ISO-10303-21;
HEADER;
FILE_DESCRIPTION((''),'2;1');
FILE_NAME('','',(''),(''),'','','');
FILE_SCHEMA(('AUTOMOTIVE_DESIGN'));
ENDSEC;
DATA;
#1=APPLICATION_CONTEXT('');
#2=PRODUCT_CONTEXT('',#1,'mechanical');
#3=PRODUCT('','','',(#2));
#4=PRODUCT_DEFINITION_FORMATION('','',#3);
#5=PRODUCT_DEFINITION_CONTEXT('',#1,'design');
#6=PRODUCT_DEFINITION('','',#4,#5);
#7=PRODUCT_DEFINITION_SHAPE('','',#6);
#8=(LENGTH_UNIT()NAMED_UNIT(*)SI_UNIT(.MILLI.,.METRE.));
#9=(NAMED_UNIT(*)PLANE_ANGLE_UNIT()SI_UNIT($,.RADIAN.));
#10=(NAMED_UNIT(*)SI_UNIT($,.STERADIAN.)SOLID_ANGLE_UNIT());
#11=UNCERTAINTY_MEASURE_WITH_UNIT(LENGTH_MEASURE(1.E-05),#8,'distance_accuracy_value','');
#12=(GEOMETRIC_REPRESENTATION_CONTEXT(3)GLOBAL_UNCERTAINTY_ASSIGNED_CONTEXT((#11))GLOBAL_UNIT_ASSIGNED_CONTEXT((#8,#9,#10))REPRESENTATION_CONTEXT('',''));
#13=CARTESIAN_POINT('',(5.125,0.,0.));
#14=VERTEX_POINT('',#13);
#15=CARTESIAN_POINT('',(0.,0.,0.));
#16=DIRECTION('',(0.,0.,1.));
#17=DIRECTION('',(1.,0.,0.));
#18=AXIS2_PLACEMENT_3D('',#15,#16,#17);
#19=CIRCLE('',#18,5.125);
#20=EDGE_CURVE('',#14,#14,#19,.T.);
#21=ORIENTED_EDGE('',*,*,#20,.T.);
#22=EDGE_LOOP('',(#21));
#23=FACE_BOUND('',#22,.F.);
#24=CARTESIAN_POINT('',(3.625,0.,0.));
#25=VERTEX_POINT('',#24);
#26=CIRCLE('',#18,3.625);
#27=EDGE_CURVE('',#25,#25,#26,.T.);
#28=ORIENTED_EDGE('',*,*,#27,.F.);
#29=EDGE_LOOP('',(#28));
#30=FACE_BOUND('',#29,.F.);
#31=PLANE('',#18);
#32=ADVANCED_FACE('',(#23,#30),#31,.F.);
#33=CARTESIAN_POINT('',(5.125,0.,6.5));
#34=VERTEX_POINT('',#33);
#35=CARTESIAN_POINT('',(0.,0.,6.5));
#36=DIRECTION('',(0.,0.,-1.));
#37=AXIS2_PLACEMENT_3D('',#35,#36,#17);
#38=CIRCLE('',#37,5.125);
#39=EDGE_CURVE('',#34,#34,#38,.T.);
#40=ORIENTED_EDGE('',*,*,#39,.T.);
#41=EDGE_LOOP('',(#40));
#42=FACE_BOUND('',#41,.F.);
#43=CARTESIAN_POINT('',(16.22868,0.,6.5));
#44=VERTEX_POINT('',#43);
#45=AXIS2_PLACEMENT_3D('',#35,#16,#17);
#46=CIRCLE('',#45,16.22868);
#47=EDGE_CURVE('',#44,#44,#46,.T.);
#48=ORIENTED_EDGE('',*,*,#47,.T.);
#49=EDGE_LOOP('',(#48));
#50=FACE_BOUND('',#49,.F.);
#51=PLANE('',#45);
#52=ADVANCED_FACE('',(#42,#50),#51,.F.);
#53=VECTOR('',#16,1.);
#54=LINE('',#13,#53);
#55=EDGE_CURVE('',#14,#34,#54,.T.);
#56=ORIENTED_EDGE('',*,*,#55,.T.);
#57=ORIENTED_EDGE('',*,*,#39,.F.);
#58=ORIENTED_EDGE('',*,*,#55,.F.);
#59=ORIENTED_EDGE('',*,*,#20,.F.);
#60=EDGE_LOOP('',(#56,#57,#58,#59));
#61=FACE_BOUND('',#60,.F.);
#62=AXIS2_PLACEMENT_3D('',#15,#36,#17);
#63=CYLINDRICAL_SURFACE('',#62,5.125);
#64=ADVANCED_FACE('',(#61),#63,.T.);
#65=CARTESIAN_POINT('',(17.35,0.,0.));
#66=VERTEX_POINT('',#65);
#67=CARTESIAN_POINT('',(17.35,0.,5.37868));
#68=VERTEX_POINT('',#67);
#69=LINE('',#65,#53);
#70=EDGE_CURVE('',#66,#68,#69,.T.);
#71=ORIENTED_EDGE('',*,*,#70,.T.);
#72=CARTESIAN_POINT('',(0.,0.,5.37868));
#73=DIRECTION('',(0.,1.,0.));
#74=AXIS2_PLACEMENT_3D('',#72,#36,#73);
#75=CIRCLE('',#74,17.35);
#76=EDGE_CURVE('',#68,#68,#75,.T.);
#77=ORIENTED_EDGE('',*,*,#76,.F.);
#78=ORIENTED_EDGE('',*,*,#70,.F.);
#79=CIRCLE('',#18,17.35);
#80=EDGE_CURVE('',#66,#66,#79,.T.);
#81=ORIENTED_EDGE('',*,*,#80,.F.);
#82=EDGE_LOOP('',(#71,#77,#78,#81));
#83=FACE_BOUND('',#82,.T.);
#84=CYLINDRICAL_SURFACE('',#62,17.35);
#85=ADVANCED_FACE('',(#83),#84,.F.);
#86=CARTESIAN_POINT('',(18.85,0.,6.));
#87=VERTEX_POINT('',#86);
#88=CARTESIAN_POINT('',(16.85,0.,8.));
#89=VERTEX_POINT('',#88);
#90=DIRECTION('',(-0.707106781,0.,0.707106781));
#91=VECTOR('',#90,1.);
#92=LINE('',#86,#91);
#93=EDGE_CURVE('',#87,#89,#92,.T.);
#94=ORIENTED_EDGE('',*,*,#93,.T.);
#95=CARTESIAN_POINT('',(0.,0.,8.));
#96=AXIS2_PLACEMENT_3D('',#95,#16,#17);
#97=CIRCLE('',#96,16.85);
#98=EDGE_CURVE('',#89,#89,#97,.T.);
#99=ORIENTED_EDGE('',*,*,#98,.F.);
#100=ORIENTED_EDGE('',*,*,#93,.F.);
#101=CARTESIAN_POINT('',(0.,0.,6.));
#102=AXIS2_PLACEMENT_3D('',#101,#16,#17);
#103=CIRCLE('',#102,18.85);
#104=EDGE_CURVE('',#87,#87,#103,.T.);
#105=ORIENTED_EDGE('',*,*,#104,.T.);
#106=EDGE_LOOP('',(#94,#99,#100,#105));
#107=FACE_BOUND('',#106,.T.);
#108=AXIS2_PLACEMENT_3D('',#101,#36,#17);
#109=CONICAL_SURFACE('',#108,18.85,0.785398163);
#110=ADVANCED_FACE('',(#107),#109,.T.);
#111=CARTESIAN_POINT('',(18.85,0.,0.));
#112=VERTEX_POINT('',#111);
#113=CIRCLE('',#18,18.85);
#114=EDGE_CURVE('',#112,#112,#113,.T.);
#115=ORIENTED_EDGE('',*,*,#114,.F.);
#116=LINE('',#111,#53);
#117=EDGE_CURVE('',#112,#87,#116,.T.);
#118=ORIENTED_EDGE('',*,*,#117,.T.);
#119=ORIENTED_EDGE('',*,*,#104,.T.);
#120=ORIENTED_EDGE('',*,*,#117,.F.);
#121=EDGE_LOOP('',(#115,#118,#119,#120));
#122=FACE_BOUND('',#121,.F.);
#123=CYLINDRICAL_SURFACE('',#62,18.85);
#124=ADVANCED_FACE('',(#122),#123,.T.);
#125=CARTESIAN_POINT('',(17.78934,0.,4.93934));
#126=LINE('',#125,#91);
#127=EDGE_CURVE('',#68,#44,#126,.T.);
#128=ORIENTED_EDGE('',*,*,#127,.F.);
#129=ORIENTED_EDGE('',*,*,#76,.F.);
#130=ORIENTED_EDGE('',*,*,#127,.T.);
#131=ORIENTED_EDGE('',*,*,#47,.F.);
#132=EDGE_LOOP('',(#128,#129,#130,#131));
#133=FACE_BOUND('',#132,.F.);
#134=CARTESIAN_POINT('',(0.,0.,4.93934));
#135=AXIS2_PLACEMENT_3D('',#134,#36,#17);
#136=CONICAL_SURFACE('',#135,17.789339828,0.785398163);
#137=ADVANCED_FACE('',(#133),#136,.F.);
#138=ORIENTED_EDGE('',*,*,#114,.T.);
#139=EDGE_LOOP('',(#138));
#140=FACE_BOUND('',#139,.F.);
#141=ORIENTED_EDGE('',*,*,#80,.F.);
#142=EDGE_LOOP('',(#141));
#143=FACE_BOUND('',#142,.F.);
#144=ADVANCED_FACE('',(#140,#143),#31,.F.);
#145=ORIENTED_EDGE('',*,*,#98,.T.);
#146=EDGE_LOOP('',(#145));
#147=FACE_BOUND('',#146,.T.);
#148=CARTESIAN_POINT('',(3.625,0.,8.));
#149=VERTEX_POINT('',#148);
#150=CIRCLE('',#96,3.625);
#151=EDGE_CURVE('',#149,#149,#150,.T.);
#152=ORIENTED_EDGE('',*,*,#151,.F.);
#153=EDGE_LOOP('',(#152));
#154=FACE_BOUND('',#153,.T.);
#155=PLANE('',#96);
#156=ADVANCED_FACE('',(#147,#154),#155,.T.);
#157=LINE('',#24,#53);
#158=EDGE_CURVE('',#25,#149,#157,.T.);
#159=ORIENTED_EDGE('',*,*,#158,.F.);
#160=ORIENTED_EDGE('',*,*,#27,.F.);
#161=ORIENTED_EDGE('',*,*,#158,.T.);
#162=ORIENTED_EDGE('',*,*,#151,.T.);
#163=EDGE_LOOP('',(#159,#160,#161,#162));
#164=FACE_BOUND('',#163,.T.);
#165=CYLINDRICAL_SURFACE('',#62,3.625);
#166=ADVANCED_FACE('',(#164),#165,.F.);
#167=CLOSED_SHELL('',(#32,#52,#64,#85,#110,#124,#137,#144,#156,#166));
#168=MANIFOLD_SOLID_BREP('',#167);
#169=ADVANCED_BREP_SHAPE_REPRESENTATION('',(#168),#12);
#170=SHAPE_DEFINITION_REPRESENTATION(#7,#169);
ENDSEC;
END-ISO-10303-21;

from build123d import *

# Parameters (mm, degrees)
F0_R     = 18.85
F0_R_2   = 3.625
F1_DEPTH = 8
F2_SIZE  = 2
F3_T     = -1.5


with BuildPart() as f1:
    # F0 (on Top) → F1 (new body)
    with BuildSketch(Plane.XY):
        Circle(F0_R)
        Circle(F0_R_2, mode=Mode.SUBTRACT)
    extrude(amount=F1_DEPTH)

    # F2
    f2_edges = [f1.edges().sort_by_distance(p)[0] for p in [
        (-18.85, 0, 8),
    ]]
    chamfer(f2_edges, length=F2_SIZE)

    # F3
    f3_openings = [f1.faces().sort_by_distance(p)[0] for p in [
        (-18.316841, 0, 0),
    ]]
    offset(amount=F3_T, openings=f3_openings)


solid = f1.part
